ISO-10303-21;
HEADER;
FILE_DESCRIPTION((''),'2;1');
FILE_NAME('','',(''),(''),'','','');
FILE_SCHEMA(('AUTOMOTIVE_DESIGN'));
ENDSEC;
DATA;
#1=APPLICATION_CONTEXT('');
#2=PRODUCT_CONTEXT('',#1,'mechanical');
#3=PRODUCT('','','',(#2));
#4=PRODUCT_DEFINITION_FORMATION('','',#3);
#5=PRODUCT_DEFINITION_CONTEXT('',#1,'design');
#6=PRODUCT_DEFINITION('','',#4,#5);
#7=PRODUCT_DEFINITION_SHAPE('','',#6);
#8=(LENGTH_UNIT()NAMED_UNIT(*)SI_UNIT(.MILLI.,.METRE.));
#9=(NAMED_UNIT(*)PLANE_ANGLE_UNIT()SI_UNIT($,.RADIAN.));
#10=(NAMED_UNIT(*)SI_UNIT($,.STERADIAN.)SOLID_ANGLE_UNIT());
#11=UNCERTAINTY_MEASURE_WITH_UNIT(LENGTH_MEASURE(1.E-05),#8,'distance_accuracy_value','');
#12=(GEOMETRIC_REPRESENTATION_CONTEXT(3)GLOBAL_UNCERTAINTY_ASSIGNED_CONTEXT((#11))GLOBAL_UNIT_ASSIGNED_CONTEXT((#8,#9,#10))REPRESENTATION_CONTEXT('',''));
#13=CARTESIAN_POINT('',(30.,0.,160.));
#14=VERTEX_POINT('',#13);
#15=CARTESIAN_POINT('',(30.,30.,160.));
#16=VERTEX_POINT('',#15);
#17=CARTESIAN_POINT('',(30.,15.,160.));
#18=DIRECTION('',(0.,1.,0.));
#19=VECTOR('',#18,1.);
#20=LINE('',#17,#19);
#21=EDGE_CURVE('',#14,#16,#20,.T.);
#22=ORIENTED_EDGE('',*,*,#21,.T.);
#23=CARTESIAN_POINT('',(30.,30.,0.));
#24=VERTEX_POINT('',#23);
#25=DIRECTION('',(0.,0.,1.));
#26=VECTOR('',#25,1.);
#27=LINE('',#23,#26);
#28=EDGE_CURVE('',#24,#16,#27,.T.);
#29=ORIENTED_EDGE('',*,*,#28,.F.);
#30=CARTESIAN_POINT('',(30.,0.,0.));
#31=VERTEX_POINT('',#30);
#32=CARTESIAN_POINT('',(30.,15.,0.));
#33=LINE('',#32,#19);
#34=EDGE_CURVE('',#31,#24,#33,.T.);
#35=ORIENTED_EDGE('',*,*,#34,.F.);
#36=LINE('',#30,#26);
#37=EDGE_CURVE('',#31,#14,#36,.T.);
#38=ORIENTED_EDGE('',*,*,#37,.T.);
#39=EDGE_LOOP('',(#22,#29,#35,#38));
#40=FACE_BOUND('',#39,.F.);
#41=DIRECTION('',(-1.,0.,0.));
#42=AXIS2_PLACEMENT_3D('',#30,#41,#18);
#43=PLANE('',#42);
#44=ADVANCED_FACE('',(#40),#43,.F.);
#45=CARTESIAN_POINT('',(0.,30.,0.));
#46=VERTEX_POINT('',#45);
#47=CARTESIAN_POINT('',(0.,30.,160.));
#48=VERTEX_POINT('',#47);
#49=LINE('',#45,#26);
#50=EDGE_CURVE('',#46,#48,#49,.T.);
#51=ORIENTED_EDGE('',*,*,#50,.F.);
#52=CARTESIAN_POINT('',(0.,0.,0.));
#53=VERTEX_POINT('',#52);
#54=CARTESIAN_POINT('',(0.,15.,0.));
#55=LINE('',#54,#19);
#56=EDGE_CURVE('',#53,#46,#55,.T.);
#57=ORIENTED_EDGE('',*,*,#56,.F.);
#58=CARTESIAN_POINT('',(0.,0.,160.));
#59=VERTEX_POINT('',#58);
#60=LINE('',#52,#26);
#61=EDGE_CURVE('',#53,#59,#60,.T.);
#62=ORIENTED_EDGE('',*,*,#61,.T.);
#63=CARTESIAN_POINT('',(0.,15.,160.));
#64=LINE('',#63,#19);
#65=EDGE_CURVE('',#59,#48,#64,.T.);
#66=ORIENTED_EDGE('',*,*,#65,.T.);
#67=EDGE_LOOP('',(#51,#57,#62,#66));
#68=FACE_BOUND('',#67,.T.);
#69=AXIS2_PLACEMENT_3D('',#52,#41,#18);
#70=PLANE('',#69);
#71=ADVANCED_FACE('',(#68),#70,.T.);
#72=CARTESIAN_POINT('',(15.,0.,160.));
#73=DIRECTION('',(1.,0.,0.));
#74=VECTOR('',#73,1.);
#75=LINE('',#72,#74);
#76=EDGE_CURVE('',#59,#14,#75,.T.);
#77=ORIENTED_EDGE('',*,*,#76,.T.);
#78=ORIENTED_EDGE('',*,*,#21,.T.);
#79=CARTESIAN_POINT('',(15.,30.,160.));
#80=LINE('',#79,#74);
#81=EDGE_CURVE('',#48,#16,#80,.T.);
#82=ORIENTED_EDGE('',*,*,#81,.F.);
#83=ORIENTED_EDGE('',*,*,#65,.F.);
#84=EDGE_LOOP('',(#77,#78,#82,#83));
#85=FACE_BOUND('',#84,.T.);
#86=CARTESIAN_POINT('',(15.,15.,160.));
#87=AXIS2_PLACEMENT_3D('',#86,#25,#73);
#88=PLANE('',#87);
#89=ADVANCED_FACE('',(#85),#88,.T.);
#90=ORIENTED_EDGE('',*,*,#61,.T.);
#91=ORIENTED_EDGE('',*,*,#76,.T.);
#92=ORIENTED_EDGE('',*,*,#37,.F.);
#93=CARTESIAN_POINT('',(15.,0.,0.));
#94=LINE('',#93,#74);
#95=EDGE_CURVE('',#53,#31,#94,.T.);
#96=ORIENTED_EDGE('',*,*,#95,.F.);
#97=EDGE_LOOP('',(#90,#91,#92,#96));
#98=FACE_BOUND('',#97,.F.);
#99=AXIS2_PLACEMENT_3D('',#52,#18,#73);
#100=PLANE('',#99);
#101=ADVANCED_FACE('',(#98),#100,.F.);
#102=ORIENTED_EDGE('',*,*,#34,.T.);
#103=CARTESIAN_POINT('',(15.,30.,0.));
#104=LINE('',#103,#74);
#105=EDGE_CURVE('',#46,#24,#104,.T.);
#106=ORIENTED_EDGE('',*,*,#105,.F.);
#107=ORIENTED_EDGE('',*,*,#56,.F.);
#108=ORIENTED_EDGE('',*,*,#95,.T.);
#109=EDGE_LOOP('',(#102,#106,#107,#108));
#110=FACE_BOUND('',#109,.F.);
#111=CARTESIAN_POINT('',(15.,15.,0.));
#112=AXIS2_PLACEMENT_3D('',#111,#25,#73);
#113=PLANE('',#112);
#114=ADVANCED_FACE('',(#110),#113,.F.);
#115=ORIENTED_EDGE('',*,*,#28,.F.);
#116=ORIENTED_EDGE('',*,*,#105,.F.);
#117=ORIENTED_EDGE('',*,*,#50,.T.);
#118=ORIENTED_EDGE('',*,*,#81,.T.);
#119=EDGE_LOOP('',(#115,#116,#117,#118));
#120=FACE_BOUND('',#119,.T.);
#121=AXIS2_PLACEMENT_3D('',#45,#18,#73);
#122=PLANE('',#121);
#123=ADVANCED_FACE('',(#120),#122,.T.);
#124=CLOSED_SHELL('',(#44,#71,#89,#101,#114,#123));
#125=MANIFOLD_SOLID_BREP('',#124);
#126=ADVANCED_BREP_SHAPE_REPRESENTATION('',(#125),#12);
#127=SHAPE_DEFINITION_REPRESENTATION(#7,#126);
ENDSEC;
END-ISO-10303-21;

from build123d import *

# Parameters (mm, degrees)
SKETCH_W  = 30
SKETCH_H  = 30
PAD_DEPTH = 160


with BuildPart() as part:
    # Sketch → Pad (new body)
    with BuildSketch(Plane.XY):
        with Locations((15, 15)):
            Rectangle(SKETCH_W, SKETCH_H)
    extrude(amount=PAD_DEPTH)


solid = part.part
